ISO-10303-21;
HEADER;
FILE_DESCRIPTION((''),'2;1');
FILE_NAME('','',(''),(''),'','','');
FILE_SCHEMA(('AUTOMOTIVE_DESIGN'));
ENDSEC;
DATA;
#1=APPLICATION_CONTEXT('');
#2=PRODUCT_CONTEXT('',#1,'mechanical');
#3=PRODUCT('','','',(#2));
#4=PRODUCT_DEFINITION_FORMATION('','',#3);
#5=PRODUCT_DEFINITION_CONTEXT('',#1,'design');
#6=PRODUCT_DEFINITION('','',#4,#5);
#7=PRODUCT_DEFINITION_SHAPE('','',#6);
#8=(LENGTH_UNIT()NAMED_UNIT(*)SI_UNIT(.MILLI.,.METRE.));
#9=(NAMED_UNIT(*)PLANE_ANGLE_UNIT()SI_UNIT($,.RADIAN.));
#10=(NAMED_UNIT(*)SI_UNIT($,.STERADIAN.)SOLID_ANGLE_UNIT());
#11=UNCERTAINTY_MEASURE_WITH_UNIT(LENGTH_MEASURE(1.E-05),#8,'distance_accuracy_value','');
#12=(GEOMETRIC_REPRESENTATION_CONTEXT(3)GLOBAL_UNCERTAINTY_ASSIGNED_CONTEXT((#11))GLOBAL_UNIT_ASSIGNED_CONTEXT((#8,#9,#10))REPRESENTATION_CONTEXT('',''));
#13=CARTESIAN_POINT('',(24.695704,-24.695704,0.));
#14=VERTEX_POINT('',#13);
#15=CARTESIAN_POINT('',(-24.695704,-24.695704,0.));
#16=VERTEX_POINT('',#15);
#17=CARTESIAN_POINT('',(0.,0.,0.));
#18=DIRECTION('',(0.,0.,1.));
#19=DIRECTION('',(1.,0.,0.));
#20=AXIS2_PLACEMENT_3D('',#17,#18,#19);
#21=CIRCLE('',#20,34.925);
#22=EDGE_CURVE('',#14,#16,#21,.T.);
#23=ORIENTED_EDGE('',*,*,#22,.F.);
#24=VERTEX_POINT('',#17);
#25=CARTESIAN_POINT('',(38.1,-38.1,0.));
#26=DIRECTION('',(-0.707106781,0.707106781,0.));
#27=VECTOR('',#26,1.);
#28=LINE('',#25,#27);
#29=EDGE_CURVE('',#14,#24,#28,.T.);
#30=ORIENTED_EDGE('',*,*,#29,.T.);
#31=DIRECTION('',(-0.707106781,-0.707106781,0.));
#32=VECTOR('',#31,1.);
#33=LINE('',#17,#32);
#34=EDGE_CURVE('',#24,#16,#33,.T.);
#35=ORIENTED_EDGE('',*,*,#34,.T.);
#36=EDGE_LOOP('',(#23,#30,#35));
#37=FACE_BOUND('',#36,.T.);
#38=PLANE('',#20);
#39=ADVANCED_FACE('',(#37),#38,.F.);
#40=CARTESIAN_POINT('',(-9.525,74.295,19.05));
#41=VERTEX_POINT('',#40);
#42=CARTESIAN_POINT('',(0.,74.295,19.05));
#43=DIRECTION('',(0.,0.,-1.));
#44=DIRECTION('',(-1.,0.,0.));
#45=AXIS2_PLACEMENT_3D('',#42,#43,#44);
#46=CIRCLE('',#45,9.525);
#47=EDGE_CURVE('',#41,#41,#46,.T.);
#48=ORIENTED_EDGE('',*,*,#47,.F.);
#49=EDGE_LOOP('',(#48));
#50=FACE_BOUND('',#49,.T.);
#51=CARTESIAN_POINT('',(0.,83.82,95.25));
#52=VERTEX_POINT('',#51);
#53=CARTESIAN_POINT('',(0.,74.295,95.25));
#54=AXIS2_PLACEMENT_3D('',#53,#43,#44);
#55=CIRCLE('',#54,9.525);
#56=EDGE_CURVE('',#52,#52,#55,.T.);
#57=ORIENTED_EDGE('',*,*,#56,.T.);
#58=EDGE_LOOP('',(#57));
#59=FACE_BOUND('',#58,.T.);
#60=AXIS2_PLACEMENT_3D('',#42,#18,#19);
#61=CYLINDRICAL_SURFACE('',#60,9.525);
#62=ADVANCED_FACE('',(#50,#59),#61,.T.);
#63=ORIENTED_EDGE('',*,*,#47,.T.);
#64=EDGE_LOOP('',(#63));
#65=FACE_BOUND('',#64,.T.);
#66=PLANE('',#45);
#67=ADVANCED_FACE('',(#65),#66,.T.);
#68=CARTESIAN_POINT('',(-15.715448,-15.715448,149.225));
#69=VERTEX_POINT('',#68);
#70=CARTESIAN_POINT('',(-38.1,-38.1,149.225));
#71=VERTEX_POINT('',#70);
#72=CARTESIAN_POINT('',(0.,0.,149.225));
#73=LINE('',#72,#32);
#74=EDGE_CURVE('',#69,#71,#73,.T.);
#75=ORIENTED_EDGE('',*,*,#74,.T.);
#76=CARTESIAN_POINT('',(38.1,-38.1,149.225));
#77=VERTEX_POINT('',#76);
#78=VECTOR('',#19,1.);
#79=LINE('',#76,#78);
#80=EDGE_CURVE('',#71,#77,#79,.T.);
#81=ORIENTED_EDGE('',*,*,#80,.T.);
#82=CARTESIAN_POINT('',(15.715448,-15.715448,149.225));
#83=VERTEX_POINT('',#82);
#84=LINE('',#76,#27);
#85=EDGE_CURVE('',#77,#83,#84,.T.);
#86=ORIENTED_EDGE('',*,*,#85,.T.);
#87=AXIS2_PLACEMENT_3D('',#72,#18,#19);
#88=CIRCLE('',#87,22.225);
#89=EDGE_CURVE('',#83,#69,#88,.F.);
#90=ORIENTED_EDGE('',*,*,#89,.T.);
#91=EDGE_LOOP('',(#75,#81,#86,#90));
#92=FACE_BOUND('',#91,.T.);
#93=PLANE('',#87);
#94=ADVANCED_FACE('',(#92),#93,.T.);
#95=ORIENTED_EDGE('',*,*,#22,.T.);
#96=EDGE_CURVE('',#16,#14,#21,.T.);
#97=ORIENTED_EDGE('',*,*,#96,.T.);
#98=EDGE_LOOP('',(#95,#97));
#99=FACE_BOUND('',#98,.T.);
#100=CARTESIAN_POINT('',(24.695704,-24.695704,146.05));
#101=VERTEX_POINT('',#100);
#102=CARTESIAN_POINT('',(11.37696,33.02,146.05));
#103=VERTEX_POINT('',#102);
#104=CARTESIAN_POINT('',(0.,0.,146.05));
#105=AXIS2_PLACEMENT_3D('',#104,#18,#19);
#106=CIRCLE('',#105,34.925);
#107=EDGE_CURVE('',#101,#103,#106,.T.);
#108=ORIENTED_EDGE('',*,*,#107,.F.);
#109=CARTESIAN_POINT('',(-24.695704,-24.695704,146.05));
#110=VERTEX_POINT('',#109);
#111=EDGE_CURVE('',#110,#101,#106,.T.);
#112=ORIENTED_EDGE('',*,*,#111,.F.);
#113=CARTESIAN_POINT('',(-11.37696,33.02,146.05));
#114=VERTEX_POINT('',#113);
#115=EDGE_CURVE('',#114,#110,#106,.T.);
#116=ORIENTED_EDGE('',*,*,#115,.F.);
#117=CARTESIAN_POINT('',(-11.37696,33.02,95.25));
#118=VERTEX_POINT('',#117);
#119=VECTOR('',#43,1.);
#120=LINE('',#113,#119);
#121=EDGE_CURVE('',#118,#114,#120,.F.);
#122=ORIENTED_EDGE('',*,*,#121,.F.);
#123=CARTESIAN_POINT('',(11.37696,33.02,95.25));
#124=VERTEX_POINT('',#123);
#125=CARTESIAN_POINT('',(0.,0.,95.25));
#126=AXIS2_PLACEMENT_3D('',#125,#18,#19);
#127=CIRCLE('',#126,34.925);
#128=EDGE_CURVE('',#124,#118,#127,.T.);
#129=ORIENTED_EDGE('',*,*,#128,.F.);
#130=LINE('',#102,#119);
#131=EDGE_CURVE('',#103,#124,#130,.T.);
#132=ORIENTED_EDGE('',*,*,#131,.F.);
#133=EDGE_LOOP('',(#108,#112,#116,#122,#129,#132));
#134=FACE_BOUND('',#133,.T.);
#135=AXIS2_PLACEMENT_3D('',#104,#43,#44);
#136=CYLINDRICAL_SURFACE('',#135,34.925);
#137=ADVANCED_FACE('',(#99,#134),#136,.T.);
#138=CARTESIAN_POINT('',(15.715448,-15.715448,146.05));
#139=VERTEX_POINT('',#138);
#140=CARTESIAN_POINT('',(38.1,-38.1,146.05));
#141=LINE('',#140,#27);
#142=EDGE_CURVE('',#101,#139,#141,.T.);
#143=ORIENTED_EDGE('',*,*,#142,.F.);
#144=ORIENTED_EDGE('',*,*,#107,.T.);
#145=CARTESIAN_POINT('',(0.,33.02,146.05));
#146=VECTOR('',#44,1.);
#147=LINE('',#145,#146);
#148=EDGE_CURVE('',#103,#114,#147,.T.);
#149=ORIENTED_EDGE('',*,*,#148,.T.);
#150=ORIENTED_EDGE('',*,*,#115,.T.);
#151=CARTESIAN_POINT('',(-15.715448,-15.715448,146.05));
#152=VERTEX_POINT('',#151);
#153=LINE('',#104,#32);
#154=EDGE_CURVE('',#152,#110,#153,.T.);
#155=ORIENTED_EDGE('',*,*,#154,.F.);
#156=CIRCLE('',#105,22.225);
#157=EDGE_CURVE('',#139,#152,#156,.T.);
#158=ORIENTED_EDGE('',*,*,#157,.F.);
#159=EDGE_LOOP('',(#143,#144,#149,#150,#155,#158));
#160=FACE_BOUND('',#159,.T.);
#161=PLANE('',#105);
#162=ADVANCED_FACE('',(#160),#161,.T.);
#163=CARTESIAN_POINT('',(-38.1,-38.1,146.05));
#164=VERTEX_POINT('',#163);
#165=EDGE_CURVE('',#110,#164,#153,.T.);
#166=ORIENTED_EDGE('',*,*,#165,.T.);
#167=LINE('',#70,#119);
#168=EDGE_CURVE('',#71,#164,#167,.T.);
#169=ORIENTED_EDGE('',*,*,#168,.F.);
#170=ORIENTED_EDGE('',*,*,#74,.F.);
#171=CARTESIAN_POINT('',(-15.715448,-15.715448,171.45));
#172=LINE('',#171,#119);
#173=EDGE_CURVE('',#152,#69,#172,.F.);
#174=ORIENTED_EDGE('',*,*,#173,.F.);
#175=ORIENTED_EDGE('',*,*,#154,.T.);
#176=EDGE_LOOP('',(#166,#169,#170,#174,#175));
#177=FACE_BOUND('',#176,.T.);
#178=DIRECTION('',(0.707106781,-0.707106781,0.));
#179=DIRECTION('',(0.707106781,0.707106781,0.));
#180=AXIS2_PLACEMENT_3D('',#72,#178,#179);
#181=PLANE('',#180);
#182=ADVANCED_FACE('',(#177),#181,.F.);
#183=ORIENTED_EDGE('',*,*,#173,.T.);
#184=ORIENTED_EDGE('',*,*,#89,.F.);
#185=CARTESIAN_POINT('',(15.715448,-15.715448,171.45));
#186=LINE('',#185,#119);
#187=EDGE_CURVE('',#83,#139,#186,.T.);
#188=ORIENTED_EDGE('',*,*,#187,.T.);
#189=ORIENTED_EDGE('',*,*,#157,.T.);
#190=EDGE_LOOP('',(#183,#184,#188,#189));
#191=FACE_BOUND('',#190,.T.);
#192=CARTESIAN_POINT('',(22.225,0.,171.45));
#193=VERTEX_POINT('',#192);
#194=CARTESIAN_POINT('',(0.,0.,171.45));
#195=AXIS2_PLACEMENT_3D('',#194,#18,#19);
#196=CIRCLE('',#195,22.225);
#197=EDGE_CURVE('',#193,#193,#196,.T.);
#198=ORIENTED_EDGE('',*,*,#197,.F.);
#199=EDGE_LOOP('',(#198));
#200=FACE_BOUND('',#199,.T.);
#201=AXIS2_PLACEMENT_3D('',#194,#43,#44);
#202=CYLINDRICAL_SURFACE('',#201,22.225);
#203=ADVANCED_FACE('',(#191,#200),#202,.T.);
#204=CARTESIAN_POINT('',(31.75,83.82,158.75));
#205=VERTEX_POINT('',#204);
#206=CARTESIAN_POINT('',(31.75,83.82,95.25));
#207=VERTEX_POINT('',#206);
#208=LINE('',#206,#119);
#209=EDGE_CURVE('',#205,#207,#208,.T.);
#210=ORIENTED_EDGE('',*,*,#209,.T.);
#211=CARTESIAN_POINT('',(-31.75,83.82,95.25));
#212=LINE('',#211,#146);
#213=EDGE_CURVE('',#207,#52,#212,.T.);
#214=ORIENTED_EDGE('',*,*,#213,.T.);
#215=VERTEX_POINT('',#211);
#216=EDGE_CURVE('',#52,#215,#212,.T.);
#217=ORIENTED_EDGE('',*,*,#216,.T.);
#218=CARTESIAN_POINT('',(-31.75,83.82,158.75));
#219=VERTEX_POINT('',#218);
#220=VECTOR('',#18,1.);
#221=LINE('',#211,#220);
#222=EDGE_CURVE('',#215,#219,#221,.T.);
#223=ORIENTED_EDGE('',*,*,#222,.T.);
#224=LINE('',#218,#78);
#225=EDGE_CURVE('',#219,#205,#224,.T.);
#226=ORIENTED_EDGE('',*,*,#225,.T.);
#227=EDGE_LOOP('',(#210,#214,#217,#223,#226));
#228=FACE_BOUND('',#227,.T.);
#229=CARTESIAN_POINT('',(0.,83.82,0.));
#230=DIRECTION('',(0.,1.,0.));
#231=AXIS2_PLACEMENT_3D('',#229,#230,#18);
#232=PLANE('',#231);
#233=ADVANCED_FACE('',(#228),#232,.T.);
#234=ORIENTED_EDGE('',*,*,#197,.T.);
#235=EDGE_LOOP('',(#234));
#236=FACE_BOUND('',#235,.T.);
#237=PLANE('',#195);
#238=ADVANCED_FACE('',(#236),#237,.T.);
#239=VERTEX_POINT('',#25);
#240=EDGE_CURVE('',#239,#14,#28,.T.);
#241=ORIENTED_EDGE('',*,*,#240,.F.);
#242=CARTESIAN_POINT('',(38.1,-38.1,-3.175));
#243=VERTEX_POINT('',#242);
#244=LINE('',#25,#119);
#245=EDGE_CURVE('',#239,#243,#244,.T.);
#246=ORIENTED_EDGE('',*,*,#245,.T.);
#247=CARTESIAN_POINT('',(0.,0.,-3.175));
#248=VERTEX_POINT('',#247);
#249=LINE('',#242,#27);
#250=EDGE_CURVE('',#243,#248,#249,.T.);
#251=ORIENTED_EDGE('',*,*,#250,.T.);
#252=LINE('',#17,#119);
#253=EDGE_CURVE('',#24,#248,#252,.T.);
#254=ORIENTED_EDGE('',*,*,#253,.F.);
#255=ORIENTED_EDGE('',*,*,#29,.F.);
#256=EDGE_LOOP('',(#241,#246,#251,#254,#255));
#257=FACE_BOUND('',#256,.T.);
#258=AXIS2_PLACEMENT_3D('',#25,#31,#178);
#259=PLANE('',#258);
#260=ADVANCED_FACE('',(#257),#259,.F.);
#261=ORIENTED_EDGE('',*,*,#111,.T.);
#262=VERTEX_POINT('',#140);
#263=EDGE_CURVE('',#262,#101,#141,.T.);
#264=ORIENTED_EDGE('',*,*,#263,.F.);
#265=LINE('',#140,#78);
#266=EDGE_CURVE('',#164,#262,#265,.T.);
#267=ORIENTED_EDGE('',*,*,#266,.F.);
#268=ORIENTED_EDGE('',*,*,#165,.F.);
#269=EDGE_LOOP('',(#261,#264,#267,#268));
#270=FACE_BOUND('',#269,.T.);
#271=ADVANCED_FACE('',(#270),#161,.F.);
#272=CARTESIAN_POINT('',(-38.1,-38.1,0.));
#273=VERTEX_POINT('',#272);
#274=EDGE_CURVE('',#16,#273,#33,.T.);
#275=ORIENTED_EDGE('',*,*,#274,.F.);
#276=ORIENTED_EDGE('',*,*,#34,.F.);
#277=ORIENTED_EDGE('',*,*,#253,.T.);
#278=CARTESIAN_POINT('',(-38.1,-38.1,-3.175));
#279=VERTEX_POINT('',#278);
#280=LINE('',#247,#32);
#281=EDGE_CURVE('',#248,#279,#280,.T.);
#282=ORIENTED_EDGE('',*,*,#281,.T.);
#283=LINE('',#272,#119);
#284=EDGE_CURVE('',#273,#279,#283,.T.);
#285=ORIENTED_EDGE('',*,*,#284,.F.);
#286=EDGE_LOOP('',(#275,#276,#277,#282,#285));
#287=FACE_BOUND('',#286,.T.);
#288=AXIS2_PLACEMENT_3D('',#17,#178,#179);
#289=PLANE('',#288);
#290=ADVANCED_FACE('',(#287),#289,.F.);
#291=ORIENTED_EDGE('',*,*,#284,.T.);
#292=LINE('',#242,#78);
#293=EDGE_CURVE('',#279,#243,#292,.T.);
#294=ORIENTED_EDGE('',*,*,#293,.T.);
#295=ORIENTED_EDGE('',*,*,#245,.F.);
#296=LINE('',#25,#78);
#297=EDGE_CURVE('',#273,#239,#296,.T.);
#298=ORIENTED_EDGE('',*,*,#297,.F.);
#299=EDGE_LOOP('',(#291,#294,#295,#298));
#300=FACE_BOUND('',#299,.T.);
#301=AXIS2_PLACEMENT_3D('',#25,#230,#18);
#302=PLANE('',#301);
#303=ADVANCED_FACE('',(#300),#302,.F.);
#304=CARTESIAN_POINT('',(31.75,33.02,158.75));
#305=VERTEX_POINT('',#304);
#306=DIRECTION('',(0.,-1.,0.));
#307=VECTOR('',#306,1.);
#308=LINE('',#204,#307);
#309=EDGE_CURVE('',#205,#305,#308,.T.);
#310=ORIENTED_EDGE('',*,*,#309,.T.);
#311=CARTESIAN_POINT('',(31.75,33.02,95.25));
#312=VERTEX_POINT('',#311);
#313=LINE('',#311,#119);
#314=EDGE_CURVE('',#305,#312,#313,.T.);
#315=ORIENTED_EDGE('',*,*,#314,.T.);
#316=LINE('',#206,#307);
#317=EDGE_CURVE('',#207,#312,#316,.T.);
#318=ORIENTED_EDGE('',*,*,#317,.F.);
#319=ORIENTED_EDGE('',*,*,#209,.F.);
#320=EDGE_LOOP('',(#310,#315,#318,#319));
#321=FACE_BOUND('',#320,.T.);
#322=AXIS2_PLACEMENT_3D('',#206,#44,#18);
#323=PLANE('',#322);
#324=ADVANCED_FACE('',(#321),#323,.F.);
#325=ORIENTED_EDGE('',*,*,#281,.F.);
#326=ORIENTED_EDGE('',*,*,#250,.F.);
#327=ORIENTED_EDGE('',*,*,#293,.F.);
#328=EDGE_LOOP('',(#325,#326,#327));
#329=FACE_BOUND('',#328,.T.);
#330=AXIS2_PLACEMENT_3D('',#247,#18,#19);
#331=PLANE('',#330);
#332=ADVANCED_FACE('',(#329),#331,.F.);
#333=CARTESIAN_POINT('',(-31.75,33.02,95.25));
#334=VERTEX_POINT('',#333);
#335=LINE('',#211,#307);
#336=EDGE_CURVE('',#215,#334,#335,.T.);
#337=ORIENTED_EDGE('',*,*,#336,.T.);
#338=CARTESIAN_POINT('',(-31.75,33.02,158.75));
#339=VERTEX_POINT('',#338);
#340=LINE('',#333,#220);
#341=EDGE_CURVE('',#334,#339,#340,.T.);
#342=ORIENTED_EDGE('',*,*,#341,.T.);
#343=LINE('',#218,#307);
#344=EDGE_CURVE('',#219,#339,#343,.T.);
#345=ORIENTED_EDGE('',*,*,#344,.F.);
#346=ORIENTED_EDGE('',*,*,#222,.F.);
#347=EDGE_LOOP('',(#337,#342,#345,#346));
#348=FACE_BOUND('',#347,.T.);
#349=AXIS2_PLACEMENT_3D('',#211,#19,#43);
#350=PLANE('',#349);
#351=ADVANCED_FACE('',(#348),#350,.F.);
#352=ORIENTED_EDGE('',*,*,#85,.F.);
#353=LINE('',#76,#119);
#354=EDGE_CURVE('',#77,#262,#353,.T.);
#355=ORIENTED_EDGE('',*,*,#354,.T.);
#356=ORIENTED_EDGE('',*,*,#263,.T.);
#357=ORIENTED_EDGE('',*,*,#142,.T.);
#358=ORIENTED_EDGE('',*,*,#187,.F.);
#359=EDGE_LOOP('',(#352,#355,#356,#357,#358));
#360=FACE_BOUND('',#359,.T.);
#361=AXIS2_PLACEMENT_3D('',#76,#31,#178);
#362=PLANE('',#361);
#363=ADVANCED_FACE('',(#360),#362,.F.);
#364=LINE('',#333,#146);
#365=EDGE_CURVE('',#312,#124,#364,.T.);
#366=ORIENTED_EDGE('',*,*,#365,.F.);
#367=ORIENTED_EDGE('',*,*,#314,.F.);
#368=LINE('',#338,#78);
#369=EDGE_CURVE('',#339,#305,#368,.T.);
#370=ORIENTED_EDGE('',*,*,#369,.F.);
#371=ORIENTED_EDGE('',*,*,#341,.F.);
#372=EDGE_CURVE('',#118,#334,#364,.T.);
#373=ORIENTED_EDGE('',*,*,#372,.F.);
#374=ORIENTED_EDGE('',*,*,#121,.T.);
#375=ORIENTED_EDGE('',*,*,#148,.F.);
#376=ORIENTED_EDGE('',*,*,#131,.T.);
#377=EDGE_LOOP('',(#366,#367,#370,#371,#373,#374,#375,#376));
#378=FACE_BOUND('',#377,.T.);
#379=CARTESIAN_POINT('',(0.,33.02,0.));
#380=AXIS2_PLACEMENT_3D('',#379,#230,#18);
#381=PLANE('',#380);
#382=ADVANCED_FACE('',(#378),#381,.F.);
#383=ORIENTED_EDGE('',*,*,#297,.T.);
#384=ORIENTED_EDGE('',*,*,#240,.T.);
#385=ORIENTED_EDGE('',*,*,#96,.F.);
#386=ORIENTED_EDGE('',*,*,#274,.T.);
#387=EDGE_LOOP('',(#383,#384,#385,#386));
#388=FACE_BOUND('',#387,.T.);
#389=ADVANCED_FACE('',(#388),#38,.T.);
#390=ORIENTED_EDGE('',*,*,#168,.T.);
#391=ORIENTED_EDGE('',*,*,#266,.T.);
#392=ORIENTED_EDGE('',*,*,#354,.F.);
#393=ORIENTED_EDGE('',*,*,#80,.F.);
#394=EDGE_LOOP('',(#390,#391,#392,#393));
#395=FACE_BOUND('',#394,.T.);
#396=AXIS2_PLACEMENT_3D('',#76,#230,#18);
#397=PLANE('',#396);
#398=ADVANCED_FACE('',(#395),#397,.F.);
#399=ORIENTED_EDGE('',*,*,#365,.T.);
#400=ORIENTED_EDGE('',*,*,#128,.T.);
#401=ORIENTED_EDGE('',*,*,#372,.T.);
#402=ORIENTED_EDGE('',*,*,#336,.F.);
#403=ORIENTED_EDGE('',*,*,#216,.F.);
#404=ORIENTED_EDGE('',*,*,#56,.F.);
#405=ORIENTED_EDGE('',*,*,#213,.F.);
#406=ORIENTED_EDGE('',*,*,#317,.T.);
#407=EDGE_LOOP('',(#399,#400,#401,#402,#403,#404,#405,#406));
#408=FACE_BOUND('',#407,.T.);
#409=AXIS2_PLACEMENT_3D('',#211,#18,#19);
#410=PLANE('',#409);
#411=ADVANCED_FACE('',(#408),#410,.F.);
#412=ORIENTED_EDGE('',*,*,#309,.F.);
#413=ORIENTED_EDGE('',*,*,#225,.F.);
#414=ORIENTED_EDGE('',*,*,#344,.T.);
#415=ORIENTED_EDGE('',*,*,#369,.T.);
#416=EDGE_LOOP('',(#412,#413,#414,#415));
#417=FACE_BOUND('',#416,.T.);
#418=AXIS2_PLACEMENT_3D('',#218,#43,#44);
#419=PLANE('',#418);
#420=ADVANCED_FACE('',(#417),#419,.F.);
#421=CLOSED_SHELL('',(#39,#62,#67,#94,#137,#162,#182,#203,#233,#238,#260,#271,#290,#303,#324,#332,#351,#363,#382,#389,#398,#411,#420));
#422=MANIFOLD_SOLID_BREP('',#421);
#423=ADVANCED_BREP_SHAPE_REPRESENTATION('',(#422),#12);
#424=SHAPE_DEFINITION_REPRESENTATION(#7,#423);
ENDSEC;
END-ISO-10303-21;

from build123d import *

# Parameters (mm, degrees)
SKETCH1_R           = 34.925
BOSS_EXTRUDE1_DEPTH = 146.05
BOSS_EXTRUDE2_DEPTH = 3.175
LPATTERN1_COUNT     = 2
LPATTERN1_PITCH     = 149.225
SKETCH4_R           = 22.225
BOSS_EXTRUDE3_DEPTH = 25.4
SKETCH5_W           = 63.5
SKETCH5_H           = 63.5
BOSS_EXTRUDE4_DEPTH = 50.8
SKETCH6_R           = 9.525
BOSS_EXTRUDE5_DEPTH = 76.2


with BuildPart() as part:
    # Sketch1 → Boss-Extrude1 (new body)
    with BuildSketch(Plane.XY):
        Circle(SKETCH1_R)
    extrude(amount=BOSS_EXTRUDE1_DEPTH)

    # Sketch2 → Boss-Extrude2 (add)
    with BuildSketch(Plane.XY.offset(146.05)):
        Polygon((0, 0), (-38.1, -38.1), (38.1, -38.1), align=None)
    boss_extrude2 = extrude(amount=BOSS_EXTRUDE2_DEPTH)

    # LPattern1: Boss-Extrude2 ×2
    with Locations(*[(0, 0, -i * LPATTERN1_PITCH) for i in range(1, LPATTERN1_COUNT)]):
        add(boss_extrude2)

    # Sketch4 → Boss-Extrude3 (add)
    with BuildSketch(Plane.XY.offset(146.05)):
        with Locations(Location((0, 0, 0), (0, 0, 225))):
            Circle(SKETCH4_R)
    extrude(amount=BOSS_EXTRUDE3_DEPTH)

    # Sketch5 → Boss-Extrude4 (add)
    with BuildSketch(Plane(origin=(0, 33.02, 0), x_dir=(1, 0, 0), z_dir=(0, 1, 0))):
        with Locations((0, -127)):
            Rectangle(SKETCH5_W, SKETCH5_H)
    extrude(amount=BOSS_EXTRUDE4_DEPTH)

    # Sketch6 → Boss-Extrude5 (add)
    with BuildSketch(Plane(origin=(0, 0, 95.25), x_dir=(-1, 0, 0), z_dir=(0, 0, -1))):
        with Locations(Location((0, 74.295, 0), (0, 0, 90))):
            Circle(SKETCH6_R)
    extrude(amount=BOSS_EXTRUDE5_DEPTH)


solid = part.part
